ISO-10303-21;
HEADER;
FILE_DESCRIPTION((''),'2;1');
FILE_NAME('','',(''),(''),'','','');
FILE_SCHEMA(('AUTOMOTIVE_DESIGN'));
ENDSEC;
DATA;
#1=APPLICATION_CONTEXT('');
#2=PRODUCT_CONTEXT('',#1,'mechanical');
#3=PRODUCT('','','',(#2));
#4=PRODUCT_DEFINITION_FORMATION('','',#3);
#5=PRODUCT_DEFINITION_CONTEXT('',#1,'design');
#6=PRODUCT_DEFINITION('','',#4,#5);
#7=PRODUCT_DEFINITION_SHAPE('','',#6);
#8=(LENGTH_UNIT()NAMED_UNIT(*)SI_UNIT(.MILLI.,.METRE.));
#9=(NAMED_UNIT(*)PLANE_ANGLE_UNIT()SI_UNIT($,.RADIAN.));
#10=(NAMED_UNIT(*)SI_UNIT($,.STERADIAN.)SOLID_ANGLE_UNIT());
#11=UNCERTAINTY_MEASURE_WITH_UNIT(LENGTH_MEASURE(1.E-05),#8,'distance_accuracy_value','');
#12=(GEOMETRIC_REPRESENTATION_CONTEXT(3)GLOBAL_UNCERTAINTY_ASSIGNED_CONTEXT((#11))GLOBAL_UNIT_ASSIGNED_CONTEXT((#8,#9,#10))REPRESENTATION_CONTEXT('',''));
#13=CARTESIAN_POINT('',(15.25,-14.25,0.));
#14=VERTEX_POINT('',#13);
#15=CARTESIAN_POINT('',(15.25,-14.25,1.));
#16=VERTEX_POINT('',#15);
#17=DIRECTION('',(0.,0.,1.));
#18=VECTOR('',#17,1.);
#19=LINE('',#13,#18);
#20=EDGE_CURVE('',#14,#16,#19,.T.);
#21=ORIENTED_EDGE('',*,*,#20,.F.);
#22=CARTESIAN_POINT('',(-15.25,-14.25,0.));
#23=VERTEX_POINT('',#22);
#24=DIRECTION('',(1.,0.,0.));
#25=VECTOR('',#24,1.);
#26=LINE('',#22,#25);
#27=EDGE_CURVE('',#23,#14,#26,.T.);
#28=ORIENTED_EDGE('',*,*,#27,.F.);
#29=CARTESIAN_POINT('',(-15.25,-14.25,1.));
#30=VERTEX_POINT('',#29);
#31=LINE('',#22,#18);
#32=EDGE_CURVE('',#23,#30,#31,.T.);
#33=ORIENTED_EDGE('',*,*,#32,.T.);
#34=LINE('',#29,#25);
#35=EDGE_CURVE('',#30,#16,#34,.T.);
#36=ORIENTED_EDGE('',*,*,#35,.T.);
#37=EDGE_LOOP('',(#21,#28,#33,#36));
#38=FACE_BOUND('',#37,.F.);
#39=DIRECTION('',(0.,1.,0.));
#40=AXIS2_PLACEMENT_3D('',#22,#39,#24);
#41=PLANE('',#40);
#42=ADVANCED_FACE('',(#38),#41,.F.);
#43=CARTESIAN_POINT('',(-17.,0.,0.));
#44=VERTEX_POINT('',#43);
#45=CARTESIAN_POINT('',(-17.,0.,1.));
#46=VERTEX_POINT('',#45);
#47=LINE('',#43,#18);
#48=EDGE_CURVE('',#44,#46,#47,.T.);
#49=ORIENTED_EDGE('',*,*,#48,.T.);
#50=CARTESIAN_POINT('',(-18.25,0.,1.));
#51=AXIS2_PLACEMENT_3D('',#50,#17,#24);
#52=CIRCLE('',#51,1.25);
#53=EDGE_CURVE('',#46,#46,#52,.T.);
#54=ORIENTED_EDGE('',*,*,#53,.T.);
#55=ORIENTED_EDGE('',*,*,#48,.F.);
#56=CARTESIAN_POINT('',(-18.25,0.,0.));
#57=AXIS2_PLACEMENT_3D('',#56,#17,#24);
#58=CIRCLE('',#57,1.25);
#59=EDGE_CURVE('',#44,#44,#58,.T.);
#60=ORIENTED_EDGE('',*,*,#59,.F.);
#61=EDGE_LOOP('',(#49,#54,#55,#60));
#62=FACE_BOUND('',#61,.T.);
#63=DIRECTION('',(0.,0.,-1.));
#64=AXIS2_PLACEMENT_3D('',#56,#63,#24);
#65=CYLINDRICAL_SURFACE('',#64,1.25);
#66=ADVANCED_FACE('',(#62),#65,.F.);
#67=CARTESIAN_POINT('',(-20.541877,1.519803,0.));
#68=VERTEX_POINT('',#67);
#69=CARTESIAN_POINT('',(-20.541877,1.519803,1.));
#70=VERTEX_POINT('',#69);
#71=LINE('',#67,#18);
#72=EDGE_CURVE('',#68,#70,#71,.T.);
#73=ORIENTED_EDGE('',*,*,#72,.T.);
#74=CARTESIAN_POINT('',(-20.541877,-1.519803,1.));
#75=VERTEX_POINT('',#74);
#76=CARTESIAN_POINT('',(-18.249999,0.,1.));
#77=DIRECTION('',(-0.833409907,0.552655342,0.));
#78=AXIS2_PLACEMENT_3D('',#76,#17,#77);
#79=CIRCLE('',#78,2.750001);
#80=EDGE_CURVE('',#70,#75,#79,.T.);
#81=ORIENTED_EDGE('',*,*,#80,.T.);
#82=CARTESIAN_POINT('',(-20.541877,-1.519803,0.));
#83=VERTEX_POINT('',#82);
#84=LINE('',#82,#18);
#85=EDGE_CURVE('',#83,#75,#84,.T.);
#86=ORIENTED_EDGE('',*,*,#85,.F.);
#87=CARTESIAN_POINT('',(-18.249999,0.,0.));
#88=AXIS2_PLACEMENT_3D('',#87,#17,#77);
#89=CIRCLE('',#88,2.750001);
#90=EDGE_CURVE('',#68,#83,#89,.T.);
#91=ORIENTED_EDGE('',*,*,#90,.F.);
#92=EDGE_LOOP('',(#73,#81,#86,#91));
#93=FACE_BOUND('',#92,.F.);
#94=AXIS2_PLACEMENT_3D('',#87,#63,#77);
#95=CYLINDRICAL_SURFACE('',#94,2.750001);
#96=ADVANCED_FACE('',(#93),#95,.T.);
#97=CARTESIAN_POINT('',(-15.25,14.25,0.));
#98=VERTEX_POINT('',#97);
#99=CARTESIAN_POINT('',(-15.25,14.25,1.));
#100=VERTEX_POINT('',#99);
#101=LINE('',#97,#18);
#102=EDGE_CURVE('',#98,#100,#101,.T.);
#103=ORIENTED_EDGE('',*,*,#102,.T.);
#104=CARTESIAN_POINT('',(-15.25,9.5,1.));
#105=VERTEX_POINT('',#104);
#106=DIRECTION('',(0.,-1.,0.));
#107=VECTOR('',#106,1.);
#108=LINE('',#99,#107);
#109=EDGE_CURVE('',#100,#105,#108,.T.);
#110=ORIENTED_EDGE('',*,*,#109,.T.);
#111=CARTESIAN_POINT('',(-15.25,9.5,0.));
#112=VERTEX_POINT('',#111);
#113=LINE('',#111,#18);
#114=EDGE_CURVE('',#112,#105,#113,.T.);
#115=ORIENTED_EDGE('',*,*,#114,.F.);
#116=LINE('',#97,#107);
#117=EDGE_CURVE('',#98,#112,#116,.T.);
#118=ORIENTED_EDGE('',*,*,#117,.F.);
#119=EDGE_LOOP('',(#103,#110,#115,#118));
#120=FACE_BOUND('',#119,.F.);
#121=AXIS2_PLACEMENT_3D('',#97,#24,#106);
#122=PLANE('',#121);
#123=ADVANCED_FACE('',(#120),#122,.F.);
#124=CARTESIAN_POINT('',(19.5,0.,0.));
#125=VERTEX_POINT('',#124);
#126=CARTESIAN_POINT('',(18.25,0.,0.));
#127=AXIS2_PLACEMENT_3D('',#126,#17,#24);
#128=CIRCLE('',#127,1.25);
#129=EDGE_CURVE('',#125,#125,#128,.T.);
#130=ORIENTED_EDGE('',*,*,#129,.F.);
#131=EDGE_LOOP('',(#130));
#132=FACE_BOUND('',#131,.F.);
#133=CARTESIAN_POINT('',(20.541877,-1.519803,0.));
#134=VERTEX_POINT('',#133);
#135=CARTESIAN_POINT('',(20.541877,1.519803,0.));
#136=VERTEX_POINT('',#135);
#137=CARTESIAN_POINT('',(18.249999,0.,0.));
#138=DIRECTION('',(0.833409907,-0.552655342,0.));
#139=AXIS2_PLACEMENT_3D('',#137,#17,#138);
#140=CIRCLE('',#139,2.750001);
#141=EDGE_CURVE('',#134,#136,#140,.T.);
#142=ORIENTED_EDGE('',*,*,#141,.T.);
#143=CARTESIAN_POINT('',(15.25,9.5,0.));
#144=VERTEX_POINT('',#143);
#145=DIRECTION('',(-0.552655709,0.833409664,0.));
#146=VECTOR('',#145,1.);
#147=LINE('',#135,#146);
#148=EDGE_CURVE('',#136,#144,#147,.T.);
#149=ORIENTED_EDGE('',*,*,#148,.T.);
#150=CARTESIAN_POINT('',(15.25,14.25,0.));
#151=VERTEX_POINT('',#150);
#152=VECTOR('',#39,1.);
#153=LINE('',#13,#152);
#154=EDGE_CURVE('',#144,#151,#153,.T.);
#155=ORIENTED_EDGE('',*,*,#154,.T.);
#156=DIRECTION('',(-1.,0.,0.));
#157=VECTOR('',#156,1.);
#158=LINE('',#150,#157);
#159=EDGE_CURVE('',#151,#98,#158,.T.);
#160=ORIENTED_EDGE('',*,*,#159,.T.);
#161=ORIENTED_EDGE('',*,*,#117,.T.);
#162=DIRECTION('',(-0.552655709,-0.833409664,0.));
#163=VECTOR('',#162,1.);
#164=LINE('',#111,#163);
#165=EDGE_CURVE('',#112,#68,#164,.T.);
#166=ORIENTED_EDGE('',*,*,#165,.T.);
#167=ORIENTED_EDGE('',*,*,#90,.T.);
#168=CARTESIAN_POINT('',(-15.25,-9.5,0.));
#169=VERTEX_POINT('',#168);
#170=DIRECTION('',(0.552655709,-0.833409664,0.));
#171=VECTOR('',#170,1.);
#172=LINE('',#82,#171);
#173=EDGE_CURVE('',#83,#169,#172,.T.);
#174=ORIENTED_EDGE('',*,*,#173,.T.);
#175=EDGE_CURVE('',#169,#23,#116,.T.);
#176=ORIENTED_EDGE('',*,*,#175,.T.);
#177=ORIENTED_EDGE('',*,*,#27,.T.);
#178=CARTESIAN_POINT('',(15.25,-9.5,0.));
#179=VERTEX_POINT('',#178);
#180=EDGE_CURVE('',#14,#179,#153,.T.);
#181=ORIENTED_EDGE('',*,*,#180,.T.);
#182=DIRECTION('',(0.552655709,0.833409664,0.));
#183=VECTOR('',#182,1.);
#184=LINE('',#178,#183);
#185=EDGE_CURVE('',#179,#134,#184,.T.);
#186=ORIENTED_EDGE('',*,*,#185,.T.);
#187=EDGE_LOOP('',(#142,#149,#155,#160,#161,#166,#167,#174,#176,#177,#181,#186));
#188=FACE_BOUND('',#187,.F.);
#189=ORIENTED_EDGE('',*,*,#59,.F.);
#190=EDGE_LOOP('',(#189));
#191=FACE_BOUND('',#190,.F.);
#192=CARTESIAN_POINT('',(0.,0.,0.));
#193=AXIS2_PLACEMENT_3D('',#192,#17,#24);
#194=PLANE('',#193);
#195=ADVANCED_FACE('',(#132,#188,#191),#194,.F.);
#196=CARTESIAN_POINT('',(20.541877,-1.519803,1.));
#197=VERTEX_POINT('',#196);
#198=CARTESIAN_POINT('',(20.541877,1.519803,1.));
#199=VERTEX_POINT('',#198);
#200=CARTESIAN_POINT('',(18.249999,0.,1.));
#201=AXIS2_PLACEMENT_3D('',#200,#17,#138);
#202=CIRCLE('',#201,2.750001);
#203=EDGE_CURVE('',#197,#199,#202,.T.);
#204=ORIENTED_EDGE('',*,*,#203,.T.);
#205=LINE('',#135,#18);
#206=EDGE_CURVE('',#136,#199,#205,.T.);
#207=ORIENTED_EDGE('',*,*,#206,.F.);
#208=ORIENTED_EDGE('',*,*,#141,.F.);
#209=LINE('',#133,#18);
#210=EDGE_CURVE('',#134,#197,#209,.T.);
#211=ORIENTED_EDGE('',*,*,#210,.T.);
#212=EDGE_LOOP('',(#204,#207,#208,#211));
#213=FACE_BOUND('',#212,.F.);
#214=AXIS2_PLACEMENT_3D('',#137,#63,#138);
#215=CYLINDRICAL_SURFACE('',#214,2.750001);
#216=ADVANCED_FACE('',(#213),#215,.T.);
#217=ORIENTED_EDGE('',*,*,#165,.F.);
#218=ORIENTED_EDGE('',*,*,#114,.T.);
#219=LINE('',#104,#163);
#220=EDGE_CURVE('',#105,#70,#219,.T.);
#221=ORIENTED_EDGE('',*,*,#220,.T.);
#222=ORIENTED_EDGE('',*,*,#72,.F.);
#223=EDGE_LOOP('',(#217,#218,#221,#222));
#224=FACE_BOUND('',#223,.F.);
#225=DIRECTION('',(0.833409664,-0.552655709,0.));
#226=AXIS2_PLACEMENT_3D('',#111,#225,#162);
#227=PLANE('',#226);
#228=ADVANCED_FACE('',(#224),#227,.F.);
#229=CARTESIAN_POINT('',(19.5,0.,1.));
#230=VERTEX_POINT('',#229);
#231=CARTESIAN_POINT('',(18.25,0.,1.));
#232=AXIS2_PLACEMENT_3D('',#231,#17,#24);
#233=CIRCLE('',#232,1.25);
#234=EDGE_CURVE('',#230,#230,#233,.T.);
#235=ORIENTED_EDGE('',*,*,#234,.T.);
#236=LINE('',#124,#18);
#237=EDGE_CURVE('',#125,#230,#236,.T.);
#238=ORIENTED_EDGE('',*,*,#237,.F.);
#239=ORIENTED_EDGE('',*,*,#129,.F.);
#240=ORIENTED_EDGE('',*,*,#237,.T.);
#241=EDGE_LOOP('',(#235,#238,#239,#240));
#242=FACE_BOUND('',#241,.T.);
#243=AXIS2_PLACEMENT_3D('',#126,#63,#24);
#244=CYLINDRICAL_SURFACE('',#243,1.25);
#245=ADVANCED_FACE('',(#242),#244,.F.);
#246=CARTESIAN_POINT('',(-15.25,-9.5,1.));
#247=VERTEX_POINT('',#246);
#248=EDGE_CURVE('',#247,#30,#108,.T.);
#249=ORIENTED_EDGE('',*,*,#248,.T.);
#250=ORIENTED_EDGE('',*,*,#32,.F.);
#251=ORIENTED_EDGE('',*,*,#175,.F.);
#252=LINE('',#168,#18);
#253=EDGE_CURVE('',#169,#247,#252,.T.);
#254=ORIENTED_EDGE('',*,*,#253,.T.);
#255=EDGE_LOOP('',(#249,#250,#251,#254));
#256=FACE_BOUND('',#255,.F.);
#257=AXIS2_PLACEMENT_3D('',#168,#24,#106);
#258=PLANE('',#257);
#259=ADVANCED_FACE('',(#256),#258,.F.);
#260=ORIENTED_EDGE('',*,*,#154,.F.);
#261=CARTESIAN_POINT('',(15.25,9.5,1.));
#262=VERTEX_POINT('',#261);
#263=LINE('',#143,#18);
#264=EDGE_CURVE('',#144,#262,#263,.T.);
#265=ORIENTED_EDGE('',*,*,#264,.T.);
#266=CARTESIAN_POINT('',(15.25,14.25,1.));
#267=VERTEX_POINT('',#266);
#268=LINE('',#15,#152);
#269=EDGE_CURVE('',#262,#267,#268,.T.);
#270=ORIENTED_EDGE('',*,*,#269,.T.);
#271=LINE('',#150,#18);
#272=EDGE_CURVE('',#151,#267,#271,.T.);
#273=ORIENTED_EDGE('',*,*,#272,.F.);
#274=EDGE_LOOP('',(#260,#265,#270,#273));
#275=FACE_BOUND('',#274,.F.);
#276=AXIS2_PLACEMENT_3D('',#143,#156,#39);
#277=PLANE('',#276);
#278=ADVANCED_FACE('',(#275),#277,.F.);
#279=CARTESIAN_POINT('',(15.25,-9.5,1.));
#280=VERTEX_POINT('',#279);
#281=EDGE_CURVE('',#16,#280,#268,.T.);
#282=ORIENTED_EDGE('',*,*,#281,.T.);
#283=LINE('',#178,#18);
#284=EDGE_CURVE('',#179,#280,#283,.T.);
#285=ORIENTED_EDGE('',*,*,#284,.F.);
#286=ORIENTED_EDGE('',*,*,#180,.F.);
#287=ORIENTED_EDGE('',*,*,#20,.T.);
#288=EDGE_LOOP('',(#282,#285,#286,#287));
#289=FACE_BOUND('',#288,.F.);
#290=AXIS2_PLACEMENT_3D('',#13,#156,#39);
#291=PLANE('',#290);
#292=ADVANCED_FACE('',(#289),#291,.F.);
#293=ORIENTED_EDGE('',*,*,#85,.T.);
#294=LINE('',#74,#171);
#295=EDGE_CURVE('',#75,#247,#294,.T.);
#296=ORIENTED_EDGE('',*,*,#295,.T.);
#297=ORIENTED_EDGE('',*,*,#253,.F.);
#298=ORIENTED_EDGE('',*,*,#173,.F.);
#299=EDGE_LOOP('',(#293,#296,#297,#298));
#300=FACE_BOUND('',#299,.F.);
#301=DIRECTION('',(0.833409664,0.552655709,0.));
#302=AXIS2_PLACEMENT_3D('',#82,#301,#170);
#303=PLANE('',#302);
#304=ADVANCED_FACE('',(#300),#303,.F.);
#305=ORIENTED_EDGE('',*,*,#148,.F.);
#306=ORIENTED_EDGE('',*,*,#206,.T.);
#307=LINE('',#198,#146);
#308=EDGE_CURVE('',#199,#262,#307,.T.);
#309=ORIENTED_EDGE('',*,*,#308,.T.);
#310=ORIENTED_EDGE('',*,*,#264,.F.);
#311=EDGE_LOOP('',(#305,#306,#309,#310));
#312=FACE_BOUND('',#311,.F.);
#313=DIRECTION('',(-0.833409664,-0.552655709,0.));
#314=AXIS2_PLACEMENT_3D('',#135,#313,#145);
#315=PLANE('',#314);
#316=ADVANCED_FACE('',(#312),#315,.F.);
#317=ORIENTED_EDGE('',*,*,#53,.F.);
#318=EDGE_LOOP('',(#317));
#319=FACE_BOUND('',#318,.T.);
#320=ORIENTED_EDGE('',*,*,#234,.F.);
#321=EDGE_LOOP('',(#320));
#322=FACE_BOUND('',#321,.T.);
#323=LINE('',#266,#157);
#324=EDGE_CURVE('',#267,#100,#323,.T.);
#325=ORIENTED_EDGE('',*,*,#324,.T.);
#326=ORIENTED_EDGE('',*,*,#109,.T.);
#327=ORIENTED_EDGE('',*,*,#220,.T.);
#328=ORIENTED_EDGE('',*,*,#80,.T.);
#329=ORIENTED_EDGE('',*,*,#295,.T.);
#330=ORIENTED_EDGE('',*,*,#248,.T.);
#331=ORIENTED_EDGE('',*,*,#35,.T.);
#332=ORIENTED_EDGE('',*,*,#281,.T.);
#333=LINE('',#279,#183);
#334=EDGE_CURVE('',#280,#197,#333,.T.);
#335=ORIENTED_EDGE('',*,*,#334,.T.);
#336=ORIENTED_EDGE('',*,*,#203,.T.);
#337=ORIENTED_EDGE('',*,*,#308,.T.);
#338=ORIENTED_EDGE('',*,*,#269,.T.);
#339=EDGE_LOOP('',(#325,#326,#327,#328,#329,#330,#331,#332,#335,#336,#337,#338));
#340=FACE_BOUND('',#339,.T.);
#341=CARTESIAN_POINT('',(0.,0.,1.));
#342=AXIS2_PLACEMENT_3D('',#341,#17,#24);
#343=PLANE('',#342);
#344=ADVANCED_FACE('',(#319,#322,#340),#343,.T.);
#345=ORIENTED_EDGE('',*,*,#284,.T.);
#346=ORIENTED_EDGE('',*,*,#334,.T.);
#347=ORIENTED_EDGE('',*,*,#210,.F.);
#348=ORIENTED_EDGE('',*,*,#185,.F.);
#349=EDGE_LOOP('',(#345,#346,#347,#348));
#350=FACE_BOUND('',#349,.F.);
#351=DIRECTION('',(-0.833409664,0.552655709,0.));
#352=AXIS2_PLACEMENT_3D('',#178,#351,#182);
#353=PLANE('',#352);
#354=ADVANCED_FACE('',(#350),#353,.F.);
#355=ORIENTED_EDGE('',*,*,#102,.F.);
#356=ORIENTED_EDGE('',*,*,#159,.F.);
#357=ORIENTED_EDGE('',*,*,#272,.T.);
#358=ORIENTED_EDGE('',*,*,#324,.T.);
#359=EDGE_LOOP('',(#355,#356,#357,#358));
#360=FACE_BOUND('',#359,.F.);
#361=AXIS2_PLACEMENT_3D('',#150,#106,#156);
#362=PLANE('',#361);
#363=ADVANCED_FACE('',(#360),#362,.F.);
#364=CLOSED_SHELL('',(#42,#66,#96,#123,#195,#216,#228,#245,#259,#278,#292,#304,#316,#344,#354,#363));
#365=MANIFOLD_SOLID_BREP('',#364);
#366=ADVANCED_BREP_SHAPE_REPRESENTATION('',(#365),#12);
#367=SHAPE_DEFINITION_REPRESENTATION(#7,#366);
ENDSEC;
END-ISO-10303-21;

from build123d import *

# Parameters (mm, degrees)
F0_R     = 1.25
F1_DEPTH = 1


with BuildPart() as f1:
    # F0 (on Top) → F1 (new body)
    with BuildSketch(Plane.XY):
        Polygon((15.25, 9.5), (15.25, 14.25), (-15.25, 14.25), (-15.25, 9.5), (-15.25, -9.5), (-15.25, -14.25), (15.25, -14.25), (15.25, -9.5), align=None)
        with BuildLine():
            Line((-15.25, -9.5), (-15.25, 9.5))
            Line((-15.25, 9.5), (-20.541877, 1.519803))
            ThreePointArc((-20.541877, 1.519803), (-21, 0), (-20.541877, -1.519803))
            Line((-20.541877, -1.519803), (-15.25, -9.5))
        make_face()
        with Locations((-18.25, 0)):
            Circle(F0_R, mode=Mode.SUBTRACT)
        with BuildLine():
            Line((20.541877, 1.519803), (15.25, 9.5))
            Line((15.25, 9.5), (15.25, -9.5))
            Line((15.25, -9.5), (20.541877, -1.519803))
            ThreePointArc((20.541877, -1.519803), (21, 0), (20.541877, 1.519803))
        make_face()
        with Locations((18.25, 0)):
            Circle(F0_R, mode=Mode.SUBTRACT)
    extrude(amount=F1_DEPTH)


solid = f1.part
